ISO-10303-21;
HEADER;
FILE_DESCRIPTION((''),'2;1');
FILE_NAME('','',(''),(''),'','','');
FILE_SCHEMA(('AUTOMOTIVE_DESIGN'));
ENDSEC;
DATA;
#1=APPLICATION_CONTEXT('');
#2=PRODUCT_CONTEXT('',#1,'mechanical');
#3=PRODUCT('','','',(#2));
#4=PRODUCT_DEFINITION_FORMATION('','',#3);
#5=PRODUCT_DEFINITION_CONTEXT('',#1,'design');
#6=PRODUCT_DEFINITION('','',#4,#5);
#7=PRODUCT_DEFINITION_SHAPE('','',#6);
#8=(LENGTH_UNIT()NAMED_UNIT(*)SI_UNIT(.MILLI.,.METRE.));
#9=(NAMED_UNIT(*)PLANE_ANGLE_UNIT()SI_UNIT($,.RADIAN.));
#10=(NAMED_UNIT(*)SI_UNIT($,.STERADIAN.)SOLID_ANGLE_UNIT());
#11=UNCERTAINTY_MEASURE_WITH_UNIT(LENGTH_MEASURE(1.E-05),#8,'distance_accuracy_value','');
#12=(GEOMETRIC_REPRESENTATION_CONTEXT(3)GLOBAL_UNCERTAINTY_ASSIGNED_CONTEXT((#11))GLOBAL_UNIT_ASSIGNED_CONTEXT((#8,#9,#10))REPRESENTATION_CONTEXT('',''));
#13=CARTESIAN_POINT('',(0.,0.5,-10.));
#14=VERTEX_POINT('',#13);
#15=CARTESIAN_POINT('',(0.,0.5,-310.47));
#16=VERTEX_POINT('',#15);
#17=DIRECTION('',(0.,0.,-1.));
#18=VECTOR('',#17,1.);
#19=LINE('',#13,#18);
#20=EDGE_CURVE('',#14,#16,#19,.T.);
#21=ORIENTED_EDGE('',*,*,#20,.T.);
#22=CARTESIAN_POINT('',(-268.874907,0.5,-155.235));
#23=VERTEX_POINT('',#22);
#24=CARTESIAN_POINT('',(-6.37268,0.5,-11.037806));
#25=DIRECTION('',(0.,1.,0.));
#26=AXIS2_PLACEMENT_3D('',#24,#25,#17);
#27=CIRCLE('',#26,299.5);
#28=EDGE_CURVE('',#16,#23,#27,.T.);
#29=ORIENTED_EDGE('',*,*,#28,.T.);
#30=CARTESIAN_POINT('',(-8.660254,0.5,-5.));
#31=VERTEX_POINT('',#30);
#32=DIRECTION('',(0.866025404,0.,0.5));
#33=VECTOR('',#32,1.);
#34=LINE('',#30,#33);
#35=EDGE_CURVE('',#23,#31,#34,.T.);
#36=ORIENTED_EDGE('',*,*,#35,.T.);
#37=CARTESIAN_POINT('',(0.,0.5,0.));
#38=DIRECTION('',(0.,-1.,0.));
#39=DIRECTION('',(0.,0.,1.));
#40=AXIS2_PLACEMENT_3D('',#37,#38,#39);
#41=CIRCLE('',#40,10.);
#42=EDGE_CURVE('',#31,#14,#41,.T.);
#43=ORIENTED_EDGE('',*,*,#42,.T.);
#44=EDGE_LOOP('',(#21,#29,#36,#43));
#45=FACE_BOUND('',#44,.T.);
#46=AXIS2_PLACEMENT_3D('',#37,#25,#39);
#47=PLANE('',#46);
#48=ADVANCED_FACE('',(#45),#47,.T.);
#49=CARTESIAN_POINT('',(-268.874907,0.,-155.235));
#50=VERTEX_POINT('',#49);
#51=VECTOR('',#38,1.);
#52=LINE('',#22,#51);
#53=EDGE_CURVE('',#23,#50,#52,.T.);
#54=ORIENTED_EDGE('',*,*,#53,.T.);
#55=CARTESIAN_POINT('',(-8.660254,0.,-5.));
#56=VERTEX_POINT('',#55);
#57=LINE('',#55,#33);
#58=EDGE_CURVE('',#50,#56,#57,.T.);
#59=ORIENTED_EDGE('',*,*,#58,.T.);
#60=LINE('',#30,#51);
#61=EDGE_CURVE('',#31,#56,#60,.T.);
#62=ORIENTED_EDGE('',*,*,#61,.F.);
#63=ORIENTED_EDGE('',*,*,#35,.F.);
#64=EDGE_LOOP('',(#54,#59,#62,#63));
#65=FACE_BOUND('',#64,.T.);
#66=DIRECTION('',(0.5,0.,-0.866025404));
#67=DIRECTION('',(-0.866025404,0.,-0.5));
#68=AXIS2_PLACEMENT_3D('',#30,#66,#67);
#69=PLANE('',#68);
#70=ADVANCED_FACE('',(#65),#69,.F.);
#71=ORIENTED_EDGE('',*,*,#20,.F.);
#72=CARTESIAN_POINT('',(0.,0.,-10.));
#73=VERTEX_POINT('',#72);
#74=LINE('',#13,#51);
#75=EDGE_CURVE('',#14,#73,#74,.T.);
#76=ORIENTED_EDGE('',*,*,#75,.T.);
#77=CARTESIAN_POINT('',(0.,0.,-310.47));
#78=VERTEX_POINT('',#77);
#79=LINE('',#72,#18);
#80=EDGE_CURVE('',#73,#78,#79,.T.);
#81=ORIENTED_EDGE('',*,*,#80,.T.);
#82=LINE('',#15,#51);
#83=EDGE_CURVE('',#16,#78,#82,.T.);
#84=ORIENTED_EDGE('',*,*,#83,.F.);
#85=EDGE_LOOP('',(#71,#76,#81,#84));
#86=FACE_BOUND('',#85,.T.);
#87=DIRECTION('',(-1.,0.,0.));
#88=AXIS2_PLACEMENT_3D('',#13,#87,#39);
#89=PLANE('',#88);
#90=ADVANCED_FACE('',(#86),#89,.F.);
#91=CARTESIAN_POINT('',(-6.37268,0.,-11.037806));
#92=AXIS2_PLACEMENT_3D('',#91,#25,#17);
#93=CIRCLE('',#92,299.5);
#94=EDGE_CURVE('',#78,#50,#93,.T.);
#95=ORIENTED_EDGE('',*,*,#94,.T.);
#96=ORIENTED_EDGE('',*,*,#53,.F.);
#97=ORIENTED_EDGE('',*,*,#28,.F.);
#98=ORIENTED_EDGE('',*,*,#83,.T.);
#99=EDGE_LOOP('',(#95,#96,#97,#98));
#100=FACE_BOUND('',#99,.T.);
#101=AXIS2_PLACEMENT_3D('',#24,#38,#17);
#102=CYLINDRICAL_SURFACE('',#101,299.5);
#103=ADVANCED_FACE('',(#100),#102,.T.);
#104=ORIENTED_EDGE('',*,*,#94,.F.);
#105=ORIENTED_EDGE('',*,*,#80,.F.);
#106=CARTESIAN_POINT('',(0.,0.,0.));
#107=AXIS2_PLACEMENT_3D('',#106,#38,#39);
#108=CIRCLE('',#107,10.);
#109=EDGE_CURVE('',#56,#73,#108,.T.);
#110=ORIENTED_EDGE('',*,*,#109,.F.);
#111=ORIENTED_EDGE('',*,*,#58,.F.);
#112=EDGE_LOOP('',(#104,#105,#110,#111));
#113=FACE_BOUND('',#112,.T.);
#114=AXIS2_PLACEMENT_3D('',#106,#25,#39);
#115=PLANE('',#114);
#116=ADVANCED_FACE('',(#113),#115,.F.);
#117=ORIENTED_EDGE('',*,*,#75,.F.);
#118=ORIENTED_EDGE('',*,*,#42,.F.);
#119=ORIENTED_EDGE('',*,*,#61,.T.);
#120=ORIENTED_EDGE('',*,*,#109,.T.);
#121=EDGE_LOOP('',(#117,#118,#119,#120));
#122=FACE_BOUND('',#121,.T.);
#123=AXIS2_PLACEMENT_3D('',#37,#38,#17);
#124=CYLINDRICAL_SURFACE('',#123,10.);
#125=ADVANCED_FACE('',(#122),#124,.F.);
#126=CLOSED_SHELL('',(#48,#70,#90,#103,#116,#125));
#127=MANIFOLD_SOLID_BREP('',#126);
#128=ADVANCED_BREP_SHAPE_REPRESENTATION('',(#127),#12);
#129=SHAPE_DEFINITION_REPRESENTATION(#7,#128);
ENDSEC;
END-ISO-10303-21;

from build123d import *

# Parameters (mm, degrees)
BOSS_EXTRUDE1_DEPTH = 0.5


with BuildPart() as part:
    # Sketch1 → Boss-Extrude1 (new body)
    with BuildSketch(Plane(origin=(0, 0, 0), x_dir=(1, 0, 0), z_dir=(0, 1, 0))):
        with BuildLine():
            Line((0, 10), (0, 310.47))
            ThreePointArc((0, 310.47), (-156.122680126, 270.412414192), (-268.874907113, 155.235))
            Line((-268.874907113, 155.235), (-8.660254038, 5))
            ThreePointArc((-8.660254038, 5), (-5, 8.660254038), (0, 10))
        make_face()
    extrude(amount=BOSS_EXTRUDE1_DEPTH)


solid = part.part
